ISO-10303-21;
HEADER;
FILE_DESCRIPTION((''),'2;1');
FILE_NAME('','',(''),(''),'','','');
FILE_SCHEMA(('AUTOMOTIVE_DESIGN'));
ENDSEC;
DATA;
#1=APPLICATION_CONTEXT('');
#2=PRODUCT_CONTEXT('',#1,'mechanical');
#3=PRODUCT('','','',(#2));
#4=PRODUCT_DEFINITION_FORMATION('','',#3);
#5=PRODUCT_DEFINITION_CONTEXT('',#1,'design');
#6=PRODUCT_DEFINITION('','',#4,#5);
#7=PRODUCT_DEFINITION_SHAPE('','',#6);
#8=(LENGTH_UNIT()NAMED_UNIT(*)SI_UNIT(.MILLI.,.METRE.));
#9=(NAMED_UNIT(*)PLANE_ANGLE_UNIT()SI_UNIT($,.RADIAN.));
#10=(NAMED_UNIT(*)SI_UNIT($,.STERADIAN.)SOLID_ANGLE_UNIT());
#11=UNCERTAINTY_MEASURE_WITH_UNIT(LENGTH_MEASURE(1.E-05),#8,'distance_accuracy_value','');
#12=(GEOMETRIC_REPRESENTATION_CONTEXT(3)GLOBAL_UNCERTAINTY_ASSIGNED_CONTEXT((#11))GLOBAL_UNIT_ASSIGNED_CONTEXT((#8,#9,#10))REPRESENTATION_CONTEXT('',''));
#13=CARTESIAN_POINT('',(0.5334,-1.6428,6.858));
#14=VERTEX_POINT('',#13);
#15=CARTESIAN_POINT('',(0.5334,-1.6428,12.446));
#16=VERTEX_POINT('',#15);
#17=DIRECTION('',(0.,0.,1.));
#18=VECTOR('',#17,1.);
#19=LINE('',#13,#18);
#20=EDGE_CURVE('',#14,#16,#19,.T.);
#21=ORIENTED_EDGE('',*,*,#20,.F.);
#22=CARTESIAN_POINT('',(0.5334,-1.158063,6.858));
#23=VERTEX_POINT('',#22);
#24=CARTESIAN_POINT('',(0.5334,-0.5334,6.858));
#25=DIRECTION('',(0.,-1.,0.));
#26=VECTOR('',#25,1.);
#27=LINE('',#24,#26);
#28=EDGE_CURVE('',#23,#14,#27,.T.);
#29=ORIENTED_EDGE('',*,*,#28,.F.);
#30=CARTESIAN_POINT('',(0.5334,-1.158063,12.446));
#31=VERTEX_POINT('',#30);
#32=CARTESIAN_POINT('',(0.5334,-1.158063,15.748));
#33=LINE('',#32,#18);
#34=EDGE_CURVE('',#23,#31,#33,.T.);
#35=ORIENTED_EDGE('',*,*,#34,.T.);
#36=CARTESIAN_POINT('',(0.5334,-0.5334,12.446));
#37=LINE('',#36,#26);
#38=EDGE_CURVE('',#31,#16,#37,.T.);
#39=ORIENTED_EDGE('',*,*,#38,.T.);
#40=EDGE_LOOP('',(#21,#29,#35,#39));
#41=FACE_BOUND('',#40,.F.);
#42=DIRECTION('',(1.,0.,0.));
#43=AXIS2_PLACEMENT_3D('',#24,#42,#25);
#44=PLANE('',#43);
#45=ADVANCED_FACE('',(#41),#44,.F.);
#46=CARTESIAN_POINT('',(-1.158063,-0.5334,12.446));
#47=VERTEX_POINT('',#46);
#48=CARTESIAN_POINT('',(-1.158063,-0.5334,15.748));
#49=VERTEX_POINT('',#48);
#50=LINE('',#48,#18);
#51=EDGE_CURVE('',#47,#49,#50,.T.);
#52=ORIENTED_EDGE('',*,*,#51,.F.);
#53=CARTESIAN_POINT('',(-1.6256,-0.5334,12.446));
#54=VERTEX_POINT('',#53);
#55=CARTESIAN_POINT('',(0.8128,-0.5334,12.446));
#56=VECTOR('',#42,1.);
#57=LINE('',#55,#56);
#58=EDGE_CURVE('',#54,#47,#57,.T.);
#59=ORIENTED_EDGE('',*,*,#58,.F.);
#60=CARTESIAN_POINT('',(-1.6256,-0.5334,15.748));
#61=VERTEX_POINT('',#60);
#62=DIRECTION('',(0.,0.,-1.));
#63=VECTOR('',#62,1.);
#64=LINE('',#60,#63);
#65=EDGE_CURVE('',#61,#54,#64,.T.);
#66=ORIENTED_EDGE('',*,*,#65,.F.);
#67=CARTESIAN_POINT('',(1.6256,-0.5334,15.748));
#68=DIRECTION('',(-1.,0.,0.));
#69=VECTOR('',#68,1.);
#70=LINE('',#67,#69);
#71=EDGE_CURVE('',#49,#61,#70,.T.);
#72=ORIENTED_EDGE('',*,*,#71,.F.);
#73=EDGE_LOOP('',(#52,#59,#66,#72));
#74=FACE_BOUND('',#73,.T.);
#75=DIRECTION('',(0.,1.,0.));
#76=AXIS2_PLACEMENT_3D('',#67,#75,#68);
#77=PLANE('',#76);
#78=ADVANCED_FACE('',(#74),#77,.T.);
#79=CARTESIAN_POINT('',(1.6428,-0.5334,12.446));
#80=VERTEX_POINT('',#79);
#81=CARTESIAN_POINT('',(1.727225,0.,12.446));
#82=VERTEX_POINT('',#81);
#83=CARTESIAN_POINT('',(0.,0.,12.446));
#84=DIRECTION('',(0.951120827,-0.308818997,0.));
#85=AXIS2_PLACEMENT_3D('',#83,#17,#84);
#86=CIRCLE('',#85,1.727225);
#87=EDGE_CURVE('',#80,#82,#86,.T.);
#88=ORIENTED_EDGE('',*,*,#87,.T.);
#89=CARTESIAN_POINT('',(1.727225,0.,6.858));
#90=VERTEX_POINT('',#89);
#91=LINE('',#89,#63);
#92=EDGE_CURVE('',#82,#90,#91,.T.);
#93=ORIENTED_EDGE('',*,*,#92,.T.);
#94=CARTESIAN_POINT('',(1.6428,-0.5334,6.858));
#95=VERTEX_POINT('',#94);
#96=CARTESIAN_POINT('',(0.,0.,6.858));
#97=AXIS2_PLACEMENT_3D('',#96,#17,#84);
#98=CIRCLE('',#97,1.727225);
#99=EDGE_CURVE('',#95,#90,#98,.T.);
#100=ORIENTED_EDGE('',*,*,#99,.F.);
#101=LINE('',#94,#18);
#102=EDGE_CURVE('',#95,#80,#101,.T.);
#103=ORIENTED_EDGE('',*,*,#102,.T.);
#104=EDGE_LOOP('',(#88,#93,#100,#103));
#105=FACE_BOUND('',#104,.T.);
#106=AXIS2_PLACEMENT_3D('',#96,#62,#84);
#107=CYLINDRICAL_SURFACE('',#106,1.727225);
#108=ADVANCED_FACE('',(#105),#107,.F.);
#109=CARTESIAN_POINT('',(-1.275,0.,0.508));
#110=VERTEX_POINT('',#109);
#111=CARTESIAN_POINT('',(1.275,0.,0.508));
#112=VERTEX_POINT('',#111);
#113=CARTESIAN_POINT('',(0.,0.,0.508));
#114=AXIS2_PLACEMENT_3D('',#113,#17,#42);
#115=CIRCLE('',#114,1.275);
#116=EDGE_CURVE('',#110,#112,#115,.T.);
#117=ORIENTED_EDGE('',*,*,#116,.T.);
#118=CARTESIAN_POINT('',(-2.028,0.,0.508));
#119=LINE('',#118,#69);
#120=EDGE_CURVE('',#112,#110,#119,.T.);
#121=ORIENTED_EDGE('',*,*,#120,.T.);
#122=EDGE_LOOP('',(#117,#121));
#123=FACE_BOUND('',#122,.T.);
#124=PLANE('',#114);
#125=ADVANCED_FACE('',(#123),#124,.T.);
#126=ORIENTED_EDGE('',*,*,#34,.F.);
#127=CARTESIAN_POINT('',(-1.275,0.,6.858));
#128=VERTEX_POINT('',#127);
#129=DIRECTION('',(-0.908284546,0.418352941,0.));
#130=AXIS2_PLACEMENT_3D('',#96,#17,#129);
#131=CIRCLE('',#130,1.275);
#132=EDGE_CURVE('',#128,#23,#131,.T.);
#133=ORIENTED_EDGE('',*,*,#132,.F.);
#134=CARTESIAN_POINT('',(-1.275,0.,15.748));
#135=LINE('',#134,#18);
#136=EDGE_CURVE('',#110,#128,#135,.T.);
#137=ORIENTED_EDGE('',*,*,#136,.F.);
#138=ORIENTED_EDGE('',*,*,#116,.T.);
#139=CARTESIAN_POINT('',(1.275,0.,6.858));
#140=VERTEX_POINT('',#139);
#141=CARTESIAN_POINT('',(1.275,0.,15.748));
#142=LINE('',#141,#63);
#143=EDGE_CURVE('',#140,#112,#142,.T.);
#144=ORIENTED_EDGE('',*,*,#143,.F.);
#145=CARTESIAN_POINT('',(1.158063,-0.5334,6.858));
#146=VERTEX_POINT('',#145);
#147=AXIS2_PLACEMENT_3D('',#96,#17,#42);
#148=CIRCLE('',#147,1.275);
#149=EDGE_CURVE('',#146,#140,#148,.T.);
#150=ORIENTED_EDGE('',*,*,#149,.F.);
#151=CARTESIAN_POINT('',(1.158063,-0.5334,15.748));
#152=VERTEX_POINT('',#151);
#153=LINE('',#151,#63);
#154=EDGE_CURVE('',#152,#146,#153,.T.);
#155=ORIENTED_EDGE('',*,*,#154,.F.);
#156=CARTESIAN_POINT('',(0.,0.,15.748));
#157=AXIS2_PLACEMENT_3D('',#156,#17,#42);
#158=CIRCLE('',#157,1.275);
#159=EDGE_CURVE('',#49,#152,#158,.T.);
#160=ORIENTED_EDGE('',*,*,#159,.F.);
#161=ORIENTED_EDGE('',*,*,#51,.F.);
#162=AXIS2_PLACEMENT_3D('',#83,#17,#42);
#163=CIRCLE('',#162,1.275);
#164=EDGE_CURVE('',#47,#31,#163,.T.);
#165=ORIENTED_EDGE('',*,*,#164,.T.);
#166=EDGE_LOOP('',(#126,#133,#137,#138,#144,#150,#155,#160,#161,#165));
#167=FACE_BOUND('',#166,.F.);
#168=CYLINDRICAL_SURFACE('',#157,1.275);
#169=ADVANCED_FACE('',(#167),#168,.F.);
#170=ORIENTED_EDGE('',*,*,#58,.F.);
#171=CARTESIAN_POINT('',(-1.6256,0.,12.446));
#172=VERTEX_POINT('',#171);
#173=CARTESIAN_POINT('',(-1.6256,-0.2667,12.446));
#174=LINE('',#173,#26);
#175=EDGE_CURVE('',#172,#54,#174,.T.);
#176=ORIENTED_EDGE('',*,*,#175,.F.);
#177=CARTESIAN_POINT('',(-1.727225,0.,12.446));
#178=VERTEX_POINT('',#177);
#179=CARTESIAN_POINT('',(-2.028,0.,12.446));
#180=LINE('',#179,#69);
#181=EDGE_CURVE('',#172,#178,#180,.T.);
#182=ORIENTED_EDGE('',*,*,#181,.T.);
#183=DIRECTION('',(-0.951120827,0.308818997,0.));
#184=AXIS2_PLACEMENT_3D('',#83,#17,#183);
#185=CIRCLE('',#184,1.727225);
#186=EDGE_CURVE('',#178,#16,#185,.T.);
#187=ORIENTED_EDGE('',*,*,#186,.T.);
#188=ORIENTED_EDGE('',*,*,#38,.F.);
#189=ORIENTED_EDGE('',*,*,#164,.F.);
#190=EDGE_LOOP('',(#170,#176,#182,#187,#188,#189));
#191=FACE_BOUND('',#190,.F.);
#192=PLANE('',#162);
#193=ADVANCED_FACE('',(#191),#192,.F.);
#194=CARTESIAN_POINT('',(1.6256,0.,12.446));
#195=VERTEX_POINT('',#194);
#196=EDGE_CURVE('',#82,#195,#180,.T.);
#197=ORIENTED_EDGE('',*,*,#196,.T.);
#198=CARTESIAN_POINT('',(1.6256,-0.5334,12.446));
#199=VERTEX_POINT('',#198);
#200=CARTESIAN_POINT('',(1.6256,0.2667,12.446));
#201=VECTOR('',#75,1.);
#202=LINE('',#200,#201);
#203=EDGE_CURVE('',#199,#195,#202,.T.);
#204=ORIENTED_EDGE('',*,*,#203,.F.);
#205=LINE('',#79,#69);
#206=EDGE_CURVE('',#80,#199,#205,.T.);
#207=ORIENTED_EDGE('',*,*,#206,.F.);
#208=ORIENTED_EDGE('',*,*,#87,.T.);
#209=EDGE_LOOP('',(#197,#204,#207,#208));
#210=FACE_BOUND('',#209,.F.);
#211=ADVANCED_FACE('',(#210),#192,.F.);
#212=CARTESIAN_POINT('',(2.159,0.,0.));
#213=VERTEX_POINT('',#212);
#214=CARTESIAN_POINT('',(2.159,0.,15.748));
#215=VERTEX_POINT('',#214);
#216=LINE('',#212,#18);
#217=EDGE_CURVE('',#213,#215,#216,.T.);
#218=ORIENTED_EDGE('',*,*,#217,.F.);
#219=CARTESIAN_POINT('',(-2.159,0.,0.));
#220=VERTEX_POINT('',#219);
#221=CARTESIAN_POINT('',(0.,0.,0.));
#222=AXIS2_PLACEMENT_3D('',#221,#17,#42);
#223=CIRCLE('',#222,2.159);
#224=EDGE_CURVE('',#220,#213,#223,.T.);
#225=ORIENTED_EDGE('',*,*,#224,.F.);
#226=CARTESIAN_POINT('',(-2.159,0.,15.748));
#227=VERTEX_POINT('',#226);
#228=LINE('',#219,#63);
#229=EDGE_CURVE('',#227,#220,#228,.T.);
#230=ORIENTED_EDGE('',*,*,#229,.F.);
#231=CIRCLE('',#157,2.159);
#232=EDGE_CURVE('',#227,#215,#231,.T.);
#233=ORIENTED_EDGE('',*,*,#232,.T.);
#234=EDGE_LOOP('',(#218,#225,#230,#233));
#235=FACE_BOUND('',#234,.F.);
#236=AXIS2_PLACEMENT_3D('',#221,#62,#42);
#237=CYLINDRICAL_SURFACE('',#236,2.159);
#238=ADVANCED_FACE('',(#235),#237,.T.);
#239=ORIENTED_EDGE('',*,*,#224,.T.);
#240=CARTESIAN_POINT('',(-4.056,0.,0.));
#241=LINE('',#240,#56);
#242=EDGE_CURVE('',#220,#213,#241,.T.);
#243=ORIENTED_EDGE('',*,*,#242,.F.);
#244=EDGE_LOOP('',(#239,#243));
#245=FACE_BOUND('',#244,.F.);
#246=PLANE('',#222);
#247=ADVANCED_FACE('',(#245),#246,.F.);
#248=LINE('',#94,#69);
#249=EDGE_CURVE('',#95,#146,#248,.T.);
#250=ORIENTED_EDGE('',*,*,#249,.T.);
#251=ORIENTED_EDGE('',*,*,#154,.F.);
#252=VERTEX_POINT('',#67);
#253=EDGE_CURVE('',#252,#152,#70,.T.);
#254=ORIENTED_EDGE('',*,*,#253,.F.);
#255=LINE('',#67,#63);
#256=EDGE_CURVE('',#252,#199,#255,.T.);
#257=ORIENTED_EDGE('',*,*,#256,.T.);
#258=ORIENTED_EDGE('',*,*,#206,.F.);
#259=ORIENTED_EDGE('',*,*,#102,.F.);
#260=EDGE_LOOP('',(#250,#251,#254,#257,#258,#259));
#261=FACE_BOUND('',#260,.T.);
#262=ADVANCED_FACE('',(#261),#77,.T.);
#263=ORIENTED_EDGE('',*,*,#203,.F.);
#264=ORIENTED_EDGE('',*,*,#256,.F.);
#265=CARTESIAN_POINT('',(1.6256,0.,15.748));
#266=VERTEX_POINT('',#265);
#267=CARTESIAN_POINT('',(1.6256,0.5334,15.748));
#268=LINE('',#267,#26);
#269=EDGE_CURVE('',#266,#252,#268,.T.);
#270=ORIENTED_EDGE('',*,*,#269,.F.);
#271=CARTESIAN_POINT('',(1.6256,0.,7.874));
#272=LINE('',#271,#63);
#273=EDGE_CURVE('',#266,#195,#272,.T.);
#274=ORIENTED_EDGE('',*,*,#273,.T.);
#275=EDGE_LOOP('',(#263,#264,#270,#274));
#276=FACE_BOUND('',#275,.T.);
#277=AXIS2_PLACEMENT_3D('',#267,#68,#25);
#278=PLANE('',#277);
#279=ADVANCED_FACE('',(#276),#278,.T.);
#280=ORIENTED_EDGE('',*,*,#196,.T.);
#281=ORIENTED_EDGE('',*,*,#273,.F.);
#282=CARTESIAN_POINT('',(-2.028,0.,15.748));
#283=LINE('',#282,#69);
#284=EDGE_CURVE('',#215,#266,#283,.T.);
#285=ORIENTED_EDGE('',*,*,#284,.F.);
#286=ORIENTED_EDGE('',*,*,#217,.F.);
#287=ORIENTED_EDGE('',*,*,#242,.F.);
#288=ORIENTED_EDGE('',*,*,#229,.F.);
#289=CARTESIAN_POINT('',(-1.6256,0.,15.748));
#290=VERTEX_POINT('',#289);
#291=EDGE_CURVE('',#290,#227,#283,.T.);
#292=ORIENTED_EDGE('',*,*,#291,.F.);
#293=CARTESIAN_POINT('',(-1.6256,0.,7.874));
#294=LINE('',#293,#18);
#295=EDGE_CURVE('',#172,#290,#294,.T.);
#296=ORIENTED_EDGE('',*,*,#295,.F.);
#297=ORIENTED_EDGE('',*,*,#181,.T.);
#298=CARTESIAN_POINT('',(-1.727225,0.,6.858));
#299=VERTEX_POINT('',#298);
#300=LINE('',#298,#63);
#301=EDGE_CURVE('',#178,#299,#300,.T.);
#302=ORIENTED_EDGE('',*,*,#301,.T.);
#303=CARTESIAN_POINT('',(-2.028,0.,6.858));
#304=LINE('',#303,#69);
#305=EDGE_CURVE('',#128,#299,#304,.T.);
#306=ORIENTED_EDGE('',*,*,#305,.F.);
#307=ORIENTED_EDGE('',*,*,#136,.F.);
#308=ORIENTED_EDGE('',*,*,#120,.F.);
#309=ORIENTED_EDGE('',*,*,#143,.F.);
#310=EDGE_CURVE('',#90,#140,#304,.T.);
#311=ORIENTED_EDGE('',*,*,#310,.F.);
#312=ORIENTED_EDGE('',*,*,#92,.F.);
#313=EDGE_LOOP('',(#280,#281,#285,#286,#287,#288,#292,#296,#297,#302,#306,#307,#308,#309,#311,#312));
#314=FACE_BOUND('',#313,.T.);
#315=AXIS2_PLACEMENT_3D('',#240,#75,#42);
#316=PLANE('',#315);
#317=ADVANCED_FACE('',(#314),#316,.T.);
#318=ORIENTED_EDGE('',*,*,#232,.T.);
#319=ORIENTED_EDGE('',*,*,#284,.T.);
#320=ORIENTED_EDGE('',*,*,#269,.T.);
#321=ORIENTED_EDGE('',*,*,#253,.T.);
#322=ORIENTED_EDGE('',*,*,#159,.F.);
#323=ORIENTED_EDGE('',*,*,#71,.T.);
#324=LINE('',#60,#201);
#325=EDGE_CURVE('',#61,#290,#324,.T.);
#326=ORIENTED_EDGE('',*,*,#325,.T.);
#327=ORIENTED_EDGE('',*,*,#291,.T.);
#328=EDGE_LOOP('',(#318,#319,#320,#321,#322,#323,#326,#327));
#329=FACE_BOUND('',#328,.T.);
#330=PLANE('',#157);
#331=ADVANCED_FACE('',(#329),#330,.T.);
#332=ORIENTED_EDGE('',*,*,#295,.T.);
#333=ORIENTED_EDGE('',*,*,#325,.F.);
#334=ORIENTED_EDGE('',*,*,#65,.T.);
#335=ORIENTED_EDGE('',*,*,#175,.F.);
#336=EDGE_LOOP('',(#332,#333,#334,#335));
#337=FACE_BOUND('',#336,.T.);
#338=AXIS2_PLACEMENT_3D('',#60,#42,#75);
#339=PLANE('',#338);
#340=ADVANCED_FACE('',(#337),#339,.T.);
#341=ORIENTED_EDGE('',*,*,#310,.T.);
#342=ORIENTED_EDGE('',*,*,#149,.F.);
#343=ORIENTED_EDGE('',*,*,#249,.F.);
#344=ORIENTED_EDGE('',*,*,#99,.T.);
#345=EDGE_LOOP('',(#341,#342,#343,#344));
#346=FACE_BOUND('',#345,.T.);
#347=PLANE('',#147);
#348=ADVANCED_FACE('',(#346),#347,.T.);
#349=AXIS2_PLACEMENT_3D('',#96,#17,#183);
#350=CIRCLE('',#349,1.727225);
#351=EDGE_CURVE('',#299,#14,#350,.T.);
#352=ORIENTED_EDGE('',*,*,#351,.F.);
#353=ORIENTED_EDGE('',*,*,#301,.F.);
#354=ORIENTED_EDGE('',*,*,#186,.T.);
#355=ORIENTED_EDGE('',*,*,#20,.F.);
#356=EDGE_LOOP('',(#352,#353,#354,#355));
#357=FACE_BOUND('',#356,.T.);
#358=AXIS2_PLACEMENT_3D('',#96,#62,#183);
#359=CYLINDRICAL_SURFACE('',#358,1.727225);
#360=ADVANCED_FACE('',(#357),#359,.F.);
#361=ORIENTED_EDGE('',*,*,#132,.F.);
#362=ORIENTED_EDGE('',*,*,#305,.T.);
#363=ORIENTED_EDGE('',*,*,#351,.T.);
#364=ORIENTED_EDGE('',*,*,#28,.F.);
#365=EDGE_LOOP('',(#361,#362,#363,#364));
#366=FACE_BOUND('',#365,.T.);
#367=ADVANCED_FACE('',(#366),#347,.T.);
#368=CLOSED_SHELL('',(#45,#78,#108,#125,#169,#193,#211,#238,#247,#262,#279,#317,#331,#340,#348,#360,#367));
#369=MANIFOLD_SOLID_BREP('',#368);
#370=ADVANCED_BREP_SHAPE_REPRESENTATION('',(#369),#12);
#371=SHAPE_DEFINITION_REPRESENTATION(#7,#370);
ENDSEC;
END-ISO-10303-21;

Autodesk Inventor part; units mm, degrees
ref_plane "YZ Plane" through (0, 0, 0) normal (1, 0, 0) x (0, 1, 0)
ref_plane "XZ Plane" through (0, 0, 0) normal (0, 1, 0) x (-1, 0, 0)
sketch "Sketch1" plane through (0, 0, 0) normal (0, 0, 1) x (1, 0, 0)
  circle A0 centre (0, 0) radius 2.159
  dimension "d0" = 4.318
extrude "Extrusion1" add sketch "Sketch1" along normal blind 15.748
sketch "Sketch2" plane through (0, 0, 15.748) normal (0, 0, 1) x (1, 0, 0)
  circle A0 centre (0, 0) radius 1.275
  dimension "d23" = 2.55
extrude "Extrusion2" cut sketch "Sketch2" against normal blind 15.24
sketch "Sketch6" plane through (0, 0, 15.748) normal (0, 0, 1) x (1, 0, 0)
  line L0 (-1.6256, 0.5334) -> (1.6256, 0.5334)
  line L1 (1.6256, 0.5334) -> (1.6256, -0.5334)
  line L2 (1.6256, -0.5334) -> (-1.6256, -0.5334)
  line L3 (-1.6256, -0.5334) -> (-1.6256, 0.5334)
  point P0 (0, 0)
  dimension "d24" = 0.5334
  dimension "d25" = 0.5334
  dimension "d26" = 1.6256
  dimension "d27" = 1.6256
extrude "Extrusion6" cut sketch "Sketch6" against normal blind 8.89
ref_plane "Work Plane2" through (0, 0, 6.858) normal (0, 0, 1) x (1, 0, 0)
sketch "Sketch7" plane through (0, 0, 6.858) normal (0, 0, 1) x (1, 0, 0)
  line L0 (1.6428, -0.5334) -> (1.1581, -0.5334)
  line L1 (-1.6428, 0.5334) -> (-0.5334, 0.5334)
  arc A0 (1.6428, -0.5334) -> (-0.5334, 1.6428) centre (0, 0) ccw
  arc A1 (-1.6428, 0.5334) -> (0.5334, -1.6428) centre (0, 0) ccw
  line L2 (1.6256, -0.5334) -> (0.5334, -0.5334)
  line L3 (0.5334, -0.5334) -> (0.5334, -1.6428)
  line L4 (-0.5334, 0.5334) -> (-0.5334, 1.6428)
extrude "Extrusion7" cut sketch "Sketch7" along normal blind 5.588
sketch "Sketch8" plane through (0, 0, 0) normal (0, 0, -1) x (-1, 0, 0)
  line L0 (-3.8846, 4.0845) -> (4.056, 4.0845)
  line L1 (4.056, 4.0845) -> (4.056, 0)
  line L2 (4.056, 0) -> (-3.8846, 0)
  line L3 (-3.8846, 0) -> (-3.8846, 4.0845)
  point P0 (0, 0)
extrude "Extrusion8" cut sketch "Sketch8" against normal blind 25.4
properties part number "Snap-Twist Idea F"
